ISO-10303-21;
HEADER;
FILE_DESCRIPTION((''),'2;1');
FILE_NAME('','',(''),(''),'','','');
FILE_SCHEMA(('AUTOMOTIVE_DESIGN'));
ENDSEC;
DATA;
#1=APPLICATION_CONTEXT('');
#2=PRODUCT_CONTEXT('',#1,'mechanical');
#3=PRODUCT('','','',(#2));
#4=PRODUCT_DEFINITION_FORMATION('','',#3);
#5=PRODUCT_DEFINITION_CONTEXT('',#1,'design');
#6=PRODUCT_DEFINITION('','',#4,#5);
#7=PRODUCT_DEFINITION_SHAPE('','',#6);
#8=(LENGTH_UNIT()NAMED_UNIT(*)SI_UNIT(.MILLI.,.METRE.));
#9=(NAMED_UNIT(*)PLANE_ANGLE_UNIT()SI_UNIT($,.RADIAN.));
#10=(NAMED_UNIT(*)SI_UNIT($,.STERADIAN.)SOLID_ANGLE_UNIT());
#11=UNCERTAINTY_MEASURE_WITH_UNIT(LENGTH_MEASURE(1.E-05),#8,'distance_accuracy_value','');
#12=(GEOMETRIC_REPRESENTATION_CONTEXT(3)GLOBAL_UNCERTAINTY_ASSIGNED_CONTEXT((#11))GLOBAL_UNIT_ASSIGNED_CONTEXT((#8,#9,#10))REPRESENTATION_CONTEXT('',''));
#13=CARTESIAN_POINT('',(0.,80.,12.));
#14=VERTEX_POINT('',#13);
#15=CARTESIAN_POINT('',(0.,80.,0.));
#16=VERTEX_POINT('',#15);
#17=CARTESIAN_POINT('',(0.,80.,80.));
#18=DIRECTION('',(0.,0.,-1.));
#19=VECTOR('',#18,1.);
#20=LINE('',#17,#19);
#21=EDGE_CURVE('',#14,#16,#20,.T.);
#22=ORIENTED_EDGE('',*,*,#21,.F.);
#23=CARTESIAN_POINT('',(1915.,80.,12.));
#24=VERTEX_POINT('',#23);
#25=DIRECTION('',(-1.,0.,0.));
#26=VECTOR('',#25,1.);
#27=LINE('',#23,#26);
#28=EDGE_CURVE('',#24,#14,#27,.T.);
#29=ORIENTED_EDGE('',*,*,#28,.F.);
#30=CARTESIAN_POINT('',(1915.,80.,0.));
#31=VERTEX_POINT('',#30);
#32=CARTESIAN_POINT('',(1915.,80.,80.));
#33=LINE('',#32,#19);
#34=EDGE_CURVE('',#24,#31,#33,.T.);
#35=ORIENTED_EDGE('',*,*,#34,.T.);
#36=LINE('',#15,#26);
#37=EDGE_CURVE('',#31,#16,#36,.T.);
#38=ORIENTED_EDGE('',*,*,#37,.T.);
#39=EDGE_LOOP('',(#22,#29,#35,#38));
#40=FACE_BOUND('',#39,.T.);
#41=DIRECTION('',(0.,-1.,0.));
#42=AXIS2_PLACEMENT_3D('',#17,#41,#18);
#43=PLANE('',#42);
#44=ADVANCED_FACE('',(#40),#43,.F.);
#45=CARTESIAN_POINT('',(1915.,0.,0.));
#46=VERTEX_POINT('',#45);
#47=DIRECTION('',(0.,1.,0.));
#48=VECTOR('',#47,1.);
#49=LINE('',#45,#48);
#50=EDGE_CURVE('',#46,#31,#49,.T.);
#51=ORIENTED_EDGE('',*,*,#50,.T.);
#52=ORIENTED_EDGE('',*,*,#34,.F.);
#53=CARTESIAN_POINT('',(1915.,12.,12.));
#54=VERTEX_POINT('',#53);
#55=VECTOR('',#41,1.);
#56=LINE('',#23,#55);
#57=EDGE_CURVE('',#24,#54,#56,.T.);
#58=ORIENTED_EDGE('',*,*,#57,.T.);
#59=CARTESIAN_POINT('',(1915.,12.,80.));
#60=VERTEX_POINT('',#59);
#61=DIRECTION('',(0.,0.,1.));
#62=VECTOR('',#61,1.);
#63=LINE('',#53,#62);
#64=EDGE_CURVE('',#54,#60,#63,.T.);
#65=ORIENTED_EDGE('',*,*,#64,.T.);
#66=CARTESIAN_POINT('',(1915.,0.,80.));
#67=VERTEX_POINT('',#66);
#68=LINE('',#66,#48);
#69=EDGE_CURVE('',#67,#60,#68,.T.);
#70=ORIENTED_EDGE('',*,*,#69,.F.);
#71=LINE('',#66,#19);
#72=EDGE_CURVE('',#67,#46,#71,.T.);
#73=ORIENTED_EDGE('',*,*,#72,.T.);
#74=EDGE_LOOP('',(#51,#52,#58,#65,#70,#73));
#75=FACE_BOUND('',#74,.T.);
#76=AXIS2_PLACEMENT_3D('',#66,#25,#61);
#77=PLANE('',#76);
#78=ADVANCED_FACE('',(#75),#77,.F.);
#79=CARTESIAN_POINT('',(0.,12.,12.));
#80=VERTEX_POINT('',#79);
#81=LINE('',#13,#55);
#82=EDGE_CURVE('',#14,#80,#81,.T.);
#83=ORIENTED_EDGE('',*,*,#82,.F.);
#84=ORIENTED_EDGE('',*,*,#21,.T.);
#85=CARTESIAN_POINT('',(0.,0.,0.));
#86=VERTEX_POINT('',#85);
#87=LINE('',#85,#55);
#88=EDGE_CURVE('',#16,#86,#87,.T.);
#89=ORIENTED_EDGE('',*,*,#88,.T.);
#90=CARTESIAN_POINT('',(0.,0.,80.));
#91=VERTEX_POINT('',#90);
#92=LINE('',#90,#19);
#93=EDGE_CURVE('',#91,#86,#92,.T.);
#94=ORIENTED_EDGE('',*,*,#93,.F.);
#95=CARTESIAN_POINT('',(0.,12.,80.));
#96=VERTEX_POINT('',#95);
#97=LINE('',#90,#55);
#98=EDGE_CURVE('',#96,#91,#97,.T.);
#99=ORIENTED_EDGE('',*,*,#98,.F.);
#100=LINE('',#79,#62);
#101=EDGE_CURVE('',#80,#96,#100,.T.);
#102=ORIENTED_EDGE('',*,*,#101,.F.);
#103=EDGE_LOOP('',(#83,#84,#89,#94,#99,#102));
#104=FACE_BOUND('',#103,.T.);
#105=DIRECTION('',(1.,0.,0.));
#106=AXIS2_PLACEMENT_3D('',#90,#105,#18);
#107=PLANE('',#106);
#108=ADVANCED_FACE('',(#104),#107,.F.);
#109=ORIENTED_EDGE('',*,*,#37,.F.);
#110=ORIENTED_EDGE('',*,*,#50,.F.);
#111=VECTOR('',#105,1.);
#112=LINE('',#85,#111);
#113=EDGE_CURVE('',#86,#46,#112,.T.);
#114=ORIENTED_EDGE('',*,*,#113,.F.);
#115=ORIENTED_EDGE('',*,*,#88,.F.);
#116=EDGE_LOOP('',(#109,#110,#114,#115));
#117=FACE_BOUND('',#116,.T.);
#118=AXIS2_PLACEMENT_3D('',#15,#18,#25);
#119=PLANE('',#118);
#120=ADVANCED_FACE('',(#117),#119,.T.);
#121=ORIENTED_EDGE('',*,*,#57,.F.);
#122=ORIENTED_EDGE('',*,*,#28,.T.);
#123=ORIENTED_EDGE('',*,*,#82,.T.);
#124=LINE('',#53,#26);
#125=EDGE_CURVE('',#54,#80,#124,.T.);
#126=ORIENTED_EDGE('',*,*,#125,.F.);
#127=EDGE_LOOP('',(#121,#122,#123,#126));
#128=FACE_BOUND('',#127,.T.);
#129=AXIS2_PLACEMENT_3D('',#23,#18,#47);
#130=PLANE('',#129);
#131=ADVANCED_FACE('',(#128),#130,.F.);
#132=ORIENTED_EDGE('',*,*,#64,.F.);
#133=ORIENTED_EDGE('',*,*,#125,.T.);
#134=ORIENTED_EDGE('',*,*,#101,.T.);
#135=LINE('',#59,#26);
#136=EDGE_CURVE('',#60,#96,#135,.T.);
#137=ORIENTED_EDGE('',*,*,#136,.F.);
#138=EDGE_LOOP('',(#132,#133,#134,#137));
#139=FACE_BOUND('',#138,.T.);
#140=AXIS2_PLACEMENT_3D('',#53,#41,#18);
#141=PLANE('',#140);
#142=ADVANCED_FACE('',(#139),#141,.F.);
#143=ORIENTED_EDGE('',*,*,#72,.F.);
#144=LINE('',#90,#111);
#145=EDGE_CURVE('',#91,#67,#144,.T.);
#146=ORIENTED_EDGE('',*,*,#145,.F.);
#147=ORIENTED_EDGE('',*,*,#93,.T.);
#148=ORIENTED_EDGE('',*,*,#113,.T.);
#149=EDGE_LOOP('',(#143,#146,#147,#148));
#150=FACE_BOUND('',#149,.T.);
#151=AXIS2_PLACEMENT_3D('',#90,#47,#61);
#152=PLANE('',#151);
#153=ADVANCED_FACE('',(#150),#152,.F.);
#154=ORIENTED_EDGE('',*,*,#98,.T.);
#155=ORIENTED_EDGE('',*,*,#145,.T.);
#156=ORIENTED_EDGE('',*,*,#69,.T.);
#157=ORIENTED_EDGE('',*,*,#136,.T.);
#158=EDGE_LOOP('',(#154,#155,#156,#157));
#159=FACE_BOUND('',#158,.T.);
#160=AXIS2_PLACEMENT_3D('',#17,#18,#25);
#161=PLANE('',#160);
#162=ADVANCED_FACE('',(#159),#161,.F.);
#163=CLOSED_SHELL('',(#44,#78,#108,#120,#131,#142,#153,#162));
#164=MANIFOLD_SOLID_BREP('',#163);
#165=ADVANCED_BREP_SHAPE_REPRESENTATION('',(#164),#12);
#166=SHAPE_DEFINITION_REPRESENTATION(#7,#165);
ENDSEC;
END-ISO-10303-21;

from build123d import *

# Parameters (mm, degrees)
SKETCH_1_W          = 1915
SKETCH_1_H          = 80
EXTRUDE_1_DEPTH     = 80
SKETCH_3_W          = 68
SKETCH_3_H          = 68
CUT_EXTRUDE_2_DEPTH = 1919.339125389


with BuildPart() as part:
    # 草图1 → 拉伸1 (new body)
    with BuildSketch(Plane.XY):
        with Locations((957.5, 40)):
            Rectangle(SKETCH_1_W, SKETCH_1_H)
    extrude(amount=EXTRUDE_1_DEPTH)

    # 草图3 → 拉伸2 (cut, through all)
    with BuildSketch(Plane.ZY):
        with Locations((46, 46)):
            Rectangle(SKETCH_3_W, SKETCH_3_H)
    extrude(amount=-CUT_EXTRUDE_2_DEPTH, mode=Mode.SUBTRACT)


solid = part.part
